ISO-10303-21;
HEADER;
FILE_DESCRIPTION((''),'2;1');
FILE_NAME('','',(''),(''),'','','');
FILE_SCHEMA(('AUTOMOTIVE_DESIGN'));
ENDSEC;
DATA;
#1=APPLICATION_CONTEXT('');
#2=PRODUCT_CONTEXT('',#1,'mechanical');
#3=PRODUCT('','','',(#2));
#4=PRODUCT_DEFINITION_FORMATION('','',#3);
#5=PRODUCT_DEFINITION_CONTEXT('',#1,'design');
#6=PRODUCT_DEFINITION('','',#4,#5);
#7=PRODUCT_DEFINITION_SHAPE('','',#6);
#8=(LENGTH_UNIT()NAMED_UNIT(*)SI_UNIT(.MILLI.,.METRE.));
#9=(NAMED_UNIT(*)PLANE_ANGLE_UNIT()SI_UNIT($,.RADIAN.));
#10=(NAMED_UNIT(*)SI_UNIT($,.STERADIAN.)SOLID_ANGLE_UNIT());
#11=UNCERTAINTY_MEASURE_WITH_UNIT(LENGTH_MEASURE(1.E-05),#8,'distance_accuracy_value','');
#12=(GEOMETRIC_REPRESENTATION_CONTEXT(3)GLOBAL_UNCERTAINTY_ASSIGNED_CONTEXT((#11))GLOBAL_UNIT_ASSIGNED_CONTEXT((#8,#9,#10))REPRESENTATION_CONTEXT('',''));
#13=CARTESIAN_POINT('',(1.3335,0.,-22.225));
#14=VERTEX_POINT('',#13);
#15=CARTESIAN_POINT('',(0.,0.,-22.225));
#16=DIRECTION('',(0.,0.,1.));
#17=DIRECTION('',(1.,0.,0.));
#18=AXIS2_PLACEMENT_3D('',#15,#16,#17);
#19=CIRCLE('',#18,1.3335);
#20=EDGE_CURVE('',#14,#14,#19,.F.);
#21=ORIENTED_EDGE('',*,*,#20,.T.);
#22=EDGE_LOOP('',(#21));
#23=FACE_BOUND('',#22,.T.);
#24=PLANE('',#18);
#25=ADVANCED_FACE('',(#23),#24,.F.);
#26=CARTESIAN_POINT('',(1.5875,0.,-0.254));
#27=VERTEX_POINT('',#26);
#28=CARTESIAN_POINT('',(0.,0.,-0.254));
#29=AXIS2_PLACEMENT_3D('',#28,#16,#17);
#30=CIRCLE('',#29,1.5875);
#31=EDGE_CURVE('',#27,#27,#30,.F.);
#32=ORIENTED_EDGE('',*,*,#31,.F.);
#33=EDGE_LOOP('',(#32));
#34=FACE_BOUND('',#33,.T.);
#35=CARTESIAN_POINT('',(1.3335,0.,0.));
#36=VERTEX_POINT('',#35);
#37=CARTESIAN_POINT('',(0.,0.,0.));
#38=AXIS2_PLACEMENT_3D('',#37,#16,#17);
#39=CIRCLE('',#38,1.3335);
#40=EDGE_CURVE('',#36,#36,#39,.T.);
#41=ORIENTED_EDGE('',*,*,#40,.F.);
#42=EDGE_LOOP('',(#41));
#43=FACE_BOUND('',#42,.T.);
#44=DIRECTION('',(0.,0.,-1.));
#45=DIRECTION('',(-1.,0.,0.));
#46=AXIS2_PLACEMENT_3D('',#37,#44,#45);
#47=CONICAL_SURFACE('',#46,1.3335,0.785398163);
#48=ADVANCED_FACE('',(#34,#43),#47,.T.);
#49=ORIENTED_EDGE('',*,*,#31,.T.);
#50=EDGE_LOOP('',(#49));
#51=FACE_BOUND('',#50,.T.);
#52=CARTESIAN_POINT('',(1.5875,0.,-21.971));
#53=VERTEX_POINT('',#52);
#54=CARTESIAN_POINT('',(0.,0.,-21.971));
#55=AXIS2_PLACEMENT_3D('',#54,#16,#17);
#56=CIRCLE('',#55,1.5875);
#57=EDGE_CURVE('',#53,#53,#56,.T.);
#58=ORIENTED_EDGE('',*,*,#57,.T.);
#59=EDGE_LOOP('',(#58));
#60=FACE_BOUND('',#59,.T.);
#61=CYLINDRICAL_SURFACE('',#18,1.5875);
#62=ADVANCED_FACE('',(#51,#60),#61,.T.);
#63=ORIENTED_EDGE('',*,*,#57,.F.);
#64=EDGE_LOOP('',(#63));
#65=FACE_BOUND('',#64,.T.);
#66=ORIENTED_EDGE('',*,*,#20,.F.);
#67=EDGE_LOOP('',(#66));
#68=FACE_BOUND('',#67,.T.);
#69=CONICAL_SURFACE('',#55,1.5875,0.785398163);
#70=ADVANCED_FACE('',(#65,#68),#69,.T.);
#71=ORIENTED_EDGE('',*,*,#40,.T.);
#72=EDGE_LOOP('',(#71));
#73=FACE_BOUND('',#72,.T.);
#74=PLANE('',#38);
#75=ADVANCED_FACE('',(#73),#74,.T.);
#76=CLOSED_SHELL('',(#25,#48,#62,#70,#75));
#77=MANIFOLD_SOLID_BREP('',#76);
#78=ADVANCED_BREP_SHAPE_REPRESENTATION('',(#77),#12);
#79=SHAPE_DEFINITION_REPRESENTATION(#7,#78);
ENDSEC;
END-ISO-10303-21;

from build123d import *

# Parameters (mm, degrees)
SKETCH1_R           = 1.5875
BOSS_EXTRUDE1_DEPTH = 22.225
CHAMFER1_SIZE       = 0.254


with BuildPart() as part:
    # Sketch1 → Boss-Extrude1 (new body)
    with BuildSketch(Plane.XY):
        Circle(SKETCH1_R)
    extrude(amount=-BOSS_EXTRUDE1_DEPTH)

    # Chamfer1
    chamfer1_edges = [part.edges().sort_by_distance(p)[0] for p in [
        (-1.5875, 0, 0),
        (-1.5875, 0, -22.225),
    ]]
    chamfer(chamfer1_edges, length=CHAMFER1_SIZE)


solid = part.part
